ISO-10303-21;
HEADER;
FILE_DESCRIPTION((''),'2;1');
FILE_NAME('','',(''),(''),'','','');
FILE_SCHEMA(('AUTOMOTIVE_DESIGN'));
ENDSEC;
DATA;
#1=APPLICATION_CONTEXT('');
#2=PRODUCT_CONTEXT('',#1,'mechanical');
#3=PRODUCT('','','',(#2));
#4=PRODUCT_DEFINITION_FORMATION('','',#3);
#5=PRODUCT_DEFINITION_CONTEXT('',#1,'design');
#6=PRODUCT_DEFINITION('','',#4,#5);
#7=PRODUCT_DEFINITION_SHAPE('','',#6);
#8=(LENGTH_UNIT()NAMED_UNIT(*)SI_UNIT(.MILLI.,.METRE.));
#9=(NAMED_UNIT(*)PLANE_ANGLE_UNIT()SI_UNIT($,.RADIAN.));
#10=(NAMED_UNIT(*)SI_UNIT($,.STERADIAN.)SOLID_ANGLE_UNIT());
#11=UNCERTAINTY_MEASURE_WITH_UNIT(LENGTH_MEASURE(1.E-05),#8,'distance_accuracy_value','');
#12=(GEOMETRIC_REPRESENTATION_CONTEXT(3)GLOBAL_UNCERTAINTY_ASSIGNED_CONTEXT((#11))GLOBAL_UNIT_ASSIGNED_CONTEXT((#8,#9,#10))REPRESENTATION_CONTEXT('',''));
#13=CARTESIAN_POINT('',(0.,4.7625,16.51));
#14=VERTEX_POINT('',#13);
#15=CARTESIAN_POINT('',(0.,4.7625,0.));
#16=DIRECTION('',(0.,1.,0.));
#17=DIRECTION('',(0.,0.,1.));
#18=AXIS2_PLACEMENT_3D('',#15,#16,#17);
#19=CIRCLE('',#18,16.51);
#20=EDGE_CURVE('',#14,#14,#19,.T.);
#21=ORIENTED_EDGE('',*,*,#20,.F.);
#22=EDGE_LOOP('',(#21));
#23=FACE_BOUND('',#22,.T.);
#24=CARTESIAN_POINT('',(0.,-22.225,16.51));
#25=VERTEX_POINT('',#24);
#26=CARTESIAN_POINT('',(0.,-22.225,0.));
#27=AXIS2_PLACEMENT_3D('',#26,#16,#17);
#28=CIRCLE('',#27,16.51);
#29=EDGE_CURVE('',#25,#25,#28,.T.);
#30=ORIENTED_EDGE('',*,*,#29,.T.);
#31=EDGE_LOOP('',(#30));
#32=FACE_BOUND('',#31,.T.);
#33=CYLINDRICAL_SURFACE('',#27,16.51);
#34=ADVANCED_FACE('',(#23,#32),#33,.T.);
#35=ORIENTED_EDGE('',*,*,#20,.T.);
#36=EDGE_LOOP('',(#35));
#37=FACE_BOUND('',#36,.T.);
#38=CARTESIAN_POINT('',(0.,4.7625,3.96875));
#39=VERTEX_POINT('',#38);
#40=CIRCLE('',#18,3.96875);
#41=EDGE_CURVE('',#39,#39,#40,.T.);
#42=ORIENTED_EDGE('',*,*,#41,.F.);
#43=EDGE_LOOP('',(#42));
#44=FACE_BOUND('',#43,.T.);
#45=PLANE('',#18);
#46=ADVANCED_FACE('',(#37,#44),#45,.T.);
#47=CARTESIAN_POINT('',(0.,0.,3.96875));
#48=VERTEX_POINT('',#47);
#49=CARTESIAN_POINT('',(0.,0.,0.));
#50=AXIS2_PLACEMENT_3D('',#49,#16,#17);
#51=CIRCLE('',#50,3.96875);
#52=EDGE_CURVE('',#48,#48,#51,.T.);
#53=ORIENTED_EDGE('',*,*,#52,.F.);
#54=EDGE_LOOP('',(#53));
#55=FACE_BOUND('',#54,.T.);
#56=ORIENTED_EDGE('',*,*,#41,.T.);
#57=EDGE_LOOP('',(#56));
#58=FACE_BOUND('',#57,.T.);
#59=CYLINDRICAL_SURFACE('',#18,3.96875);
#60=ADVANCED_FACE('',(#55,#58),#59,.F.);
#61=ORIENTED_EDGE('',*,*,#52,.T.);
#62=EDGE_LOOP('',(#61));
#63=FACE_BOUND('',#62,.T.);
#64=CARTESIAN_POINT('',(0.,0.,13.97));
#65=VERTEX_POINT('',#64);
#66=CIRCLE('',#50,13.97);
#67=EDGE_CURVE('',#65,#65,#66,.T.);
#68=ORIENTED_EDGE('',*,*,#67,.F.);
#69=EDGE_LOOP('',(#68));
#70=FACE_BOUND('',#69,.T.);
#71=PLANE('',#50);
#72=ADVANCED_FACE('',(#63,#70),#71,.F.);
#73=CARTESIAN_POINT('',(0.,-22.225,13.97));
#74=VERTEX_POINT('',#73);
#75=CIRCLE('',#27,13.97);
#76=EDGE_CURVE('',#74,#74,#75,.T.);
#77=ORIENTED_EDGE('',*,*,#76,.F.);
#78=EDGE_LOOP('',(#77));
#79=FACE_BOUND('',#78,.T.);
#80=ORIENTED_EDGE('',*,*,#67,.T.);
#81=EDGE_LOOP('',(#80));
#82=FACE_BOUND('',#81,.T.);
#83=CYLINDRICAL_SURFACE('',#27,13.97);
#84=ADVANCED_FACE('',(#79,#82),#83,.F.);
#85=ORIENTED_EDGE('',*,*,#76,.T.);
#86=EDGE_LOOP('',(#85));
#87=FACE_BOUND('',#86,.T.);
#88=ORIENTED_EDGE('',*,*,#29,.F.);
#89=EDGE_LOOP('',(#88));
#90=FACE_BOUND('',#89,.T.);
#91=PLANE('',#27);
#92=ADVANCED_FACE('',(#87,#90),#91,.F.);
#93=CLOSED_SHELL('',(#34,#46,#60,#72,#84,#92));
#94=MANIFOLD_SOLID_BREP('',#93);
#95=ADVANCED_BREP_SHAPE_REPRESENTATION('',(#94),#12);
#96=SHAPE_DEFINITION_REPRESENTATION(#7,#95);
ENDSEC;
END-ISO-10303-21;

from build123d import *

# Parameters (mm, degrees)
SKETCH1_R                      = 16.51
SKETCH1_R_2                    = 13.97
BOSS_EXTRUDE1_DEPTH            = 22.225
BOSS_EXTRUDE2_START            = 4.7625
SKETCH1_2_R                    = 16.51
BOSS_EXTRUDE2_DEPTH            = 4.7625
F_5_16_0_3125_DIAMETER_HOLE1_D = 7.9375


with BuildPart() as part:
    # Sketch1 → Boss-Extrude1 (new body)
    with BuildSketch(Plane(origin=(0, 0, 0), x_dir=(1, 0, 0), z_dir=(0, 1, 0))):
        with Locations(Location((0, 0, 0), (0, 0, 270))):
            Circle(SKETCH1_R)
        with Locations(Location((0, 0, 0), (0, 0, 270))):
            Circle(SKETCH1_R_2, mode=Mode.SUBTRACT)
    extrude(amount=-BOSS_EXTRUDE1_DEPTH)

    # Sketch1<2> → Boss-Extrude2 (add)
    with BuildSketch(Plane(origin=(0, 0, 0), x_dir=(1, 0, 0), z_dir=(0, 1, 0)).offset(BOSS_EXTRUDE2_START)):
        with Locations(Location((0, 0, 0), (0, 0, 270))):
            Circle(SKETCH1_2_R)
    extrude(amount=-BOSS_EXTRUDE2_DEPTH)

    # 5/16 (0.3125) Diameter Hole1 (through all)
    with Locations(Plane(origin=(0, 4.7625, 0), x_dir=(1, 0, 0), z_dir=(0, 1, 0))):
        with Locations((0, 0)):
            Hole(F_5_16_0_3125_DIAMETER_HOLE1_D / 2)


solid = part.part
